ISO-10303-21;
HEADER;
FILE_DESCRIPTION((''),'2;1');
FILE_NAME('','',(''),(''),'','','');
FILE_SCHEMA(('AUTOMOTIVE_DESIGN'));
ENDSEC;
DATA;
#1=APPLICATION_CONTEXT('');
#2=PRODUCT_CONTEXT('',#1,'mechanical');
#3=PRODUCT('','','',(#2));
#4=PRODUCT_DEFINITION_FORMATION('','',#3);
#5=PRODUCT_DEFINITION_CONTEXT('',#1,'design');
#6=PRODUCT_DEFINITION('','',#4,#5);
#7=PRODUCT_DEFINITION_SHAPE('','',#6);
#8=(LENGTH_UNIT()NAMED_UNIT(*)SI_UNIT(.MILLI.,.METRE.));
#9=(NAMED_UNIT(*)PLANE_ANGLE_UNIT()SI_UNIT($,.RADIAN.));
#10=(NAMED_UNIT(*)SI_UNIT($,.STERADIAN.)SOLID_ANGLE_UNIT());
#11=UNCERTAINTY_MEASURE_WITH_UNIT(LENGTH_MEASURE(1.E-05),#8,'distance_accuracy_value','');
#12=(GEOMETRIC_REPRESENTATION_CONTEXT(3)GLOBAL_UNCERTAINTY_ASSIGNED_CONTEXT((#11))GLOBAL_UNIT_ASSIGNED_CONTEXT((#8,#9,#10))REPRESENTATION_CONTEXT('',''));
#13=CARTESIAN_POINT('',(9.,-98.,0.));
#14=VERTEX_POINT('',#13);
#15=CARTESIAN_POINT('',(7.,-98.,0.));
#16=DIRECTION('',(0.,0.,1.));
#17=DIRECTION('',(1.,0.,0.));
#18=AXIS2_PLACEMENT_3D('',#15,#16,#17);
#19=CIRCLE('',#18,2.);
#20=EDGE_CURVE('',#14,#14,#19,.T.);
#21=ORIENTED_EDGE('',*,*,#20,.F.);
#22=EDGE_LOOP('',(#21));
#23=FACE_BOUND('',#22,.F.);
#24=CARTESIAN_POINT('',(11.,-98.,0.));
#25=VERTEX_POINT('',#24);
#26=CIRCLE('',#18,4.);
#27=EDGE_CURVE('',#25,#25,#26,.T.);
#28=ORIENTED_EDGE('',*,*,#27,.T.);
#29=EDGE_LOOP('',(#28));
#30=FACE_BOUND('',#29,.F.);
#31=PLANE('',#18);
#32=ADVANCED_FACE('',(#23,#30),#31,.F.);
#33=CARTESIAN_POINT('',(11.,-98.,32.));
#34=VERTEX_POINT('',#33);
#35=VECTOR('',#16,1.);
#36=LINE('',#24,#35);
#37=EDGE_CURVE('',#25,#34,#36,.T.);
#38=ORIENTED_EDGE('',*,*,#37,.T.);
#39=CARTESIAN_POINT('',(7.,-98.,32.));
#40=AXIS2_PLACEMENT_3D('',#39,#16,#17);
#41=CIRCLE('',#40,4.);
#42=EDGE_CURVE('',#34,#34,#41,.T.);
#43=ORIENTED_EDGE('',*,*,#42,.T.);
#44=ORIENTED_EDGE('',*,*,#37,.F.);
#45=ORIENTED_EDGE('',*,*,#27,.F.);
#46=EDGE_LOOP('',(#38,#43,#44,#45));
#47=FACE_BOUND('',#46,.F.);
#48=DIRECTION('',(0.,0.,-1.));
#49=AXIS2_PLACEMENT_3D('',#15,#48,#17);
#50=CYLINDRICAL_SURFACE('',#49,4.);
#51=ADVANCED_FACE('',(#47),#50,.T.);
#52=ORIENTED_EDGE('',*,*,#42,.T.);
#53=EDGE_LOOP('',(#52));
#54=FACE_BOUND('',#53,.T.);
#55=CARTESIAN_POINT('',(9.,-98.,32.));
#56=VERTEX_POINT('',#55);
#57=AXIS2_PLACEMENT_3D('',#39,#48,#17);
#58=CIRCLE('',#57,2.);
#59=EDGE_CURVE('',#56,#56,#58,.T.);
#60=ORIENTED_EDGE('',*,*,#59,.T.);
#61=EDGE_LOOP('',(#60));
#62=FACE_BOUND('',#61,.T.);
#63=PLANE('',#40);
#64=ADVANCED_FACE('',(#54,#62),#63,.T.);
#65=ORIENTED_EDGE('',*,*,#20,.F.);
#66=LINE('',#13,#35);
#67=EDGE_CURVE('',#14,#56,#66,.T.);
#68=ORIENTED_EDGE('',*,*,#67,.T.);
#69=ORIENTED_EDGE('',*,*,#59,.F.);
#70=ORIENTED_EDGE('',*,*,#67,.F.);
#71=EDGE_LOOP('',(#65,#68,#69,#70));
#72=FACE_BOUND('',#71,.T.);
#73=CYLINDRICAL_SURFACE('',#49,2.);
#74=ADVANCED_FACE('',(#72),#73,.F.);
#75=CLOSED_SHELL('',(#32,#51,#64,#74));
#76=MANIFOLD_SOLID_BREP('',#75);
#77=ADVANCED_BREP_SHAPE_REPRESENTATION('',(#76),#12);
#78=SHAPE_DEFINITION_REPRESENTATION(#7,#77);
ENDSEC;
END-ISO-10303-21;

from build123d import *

# Parameters (mm, degrees)
CYLINDER213_R     = 2
CYLINDER213_DEPTH = 37
CYLINDER011_R     = 4
CYLINDER011_DEPTH = 32


with BuildPart() as cylinder213:
    # Cylinder213 → Cylinder213 (new body)
    with BuildSketch(Plane(origin=(15.2, -98, 0), x_dir=(1, 0, 0), z_dir=(0, 0, 1))):
        Circle(CYLINDER213_R)
    extrude(amount=CYLINDER213_DEPTH)


with BuildPart() as cut177:
    # Cylinder011 → Cylinder011 (new body)
    with BuildSketch(Plane(origin=(15.2, -98, 0), x_dir=(1, 0, 0), z_dir=(0, 0, 1))):
        Circle(CYLINDER011_R)
    extrude(amount=CYLINDER011_DEPTH)

    # Cut177: cut Cylinder213
    add(cylinder213.part, mode=Mode.SUBTRACT)


with BuildPart() as cut177_1:
    # Cut177 placement: moved
    add(cut177.part.moved(Location((-8.2, 0, 0))))


solid = cut177_1.part
